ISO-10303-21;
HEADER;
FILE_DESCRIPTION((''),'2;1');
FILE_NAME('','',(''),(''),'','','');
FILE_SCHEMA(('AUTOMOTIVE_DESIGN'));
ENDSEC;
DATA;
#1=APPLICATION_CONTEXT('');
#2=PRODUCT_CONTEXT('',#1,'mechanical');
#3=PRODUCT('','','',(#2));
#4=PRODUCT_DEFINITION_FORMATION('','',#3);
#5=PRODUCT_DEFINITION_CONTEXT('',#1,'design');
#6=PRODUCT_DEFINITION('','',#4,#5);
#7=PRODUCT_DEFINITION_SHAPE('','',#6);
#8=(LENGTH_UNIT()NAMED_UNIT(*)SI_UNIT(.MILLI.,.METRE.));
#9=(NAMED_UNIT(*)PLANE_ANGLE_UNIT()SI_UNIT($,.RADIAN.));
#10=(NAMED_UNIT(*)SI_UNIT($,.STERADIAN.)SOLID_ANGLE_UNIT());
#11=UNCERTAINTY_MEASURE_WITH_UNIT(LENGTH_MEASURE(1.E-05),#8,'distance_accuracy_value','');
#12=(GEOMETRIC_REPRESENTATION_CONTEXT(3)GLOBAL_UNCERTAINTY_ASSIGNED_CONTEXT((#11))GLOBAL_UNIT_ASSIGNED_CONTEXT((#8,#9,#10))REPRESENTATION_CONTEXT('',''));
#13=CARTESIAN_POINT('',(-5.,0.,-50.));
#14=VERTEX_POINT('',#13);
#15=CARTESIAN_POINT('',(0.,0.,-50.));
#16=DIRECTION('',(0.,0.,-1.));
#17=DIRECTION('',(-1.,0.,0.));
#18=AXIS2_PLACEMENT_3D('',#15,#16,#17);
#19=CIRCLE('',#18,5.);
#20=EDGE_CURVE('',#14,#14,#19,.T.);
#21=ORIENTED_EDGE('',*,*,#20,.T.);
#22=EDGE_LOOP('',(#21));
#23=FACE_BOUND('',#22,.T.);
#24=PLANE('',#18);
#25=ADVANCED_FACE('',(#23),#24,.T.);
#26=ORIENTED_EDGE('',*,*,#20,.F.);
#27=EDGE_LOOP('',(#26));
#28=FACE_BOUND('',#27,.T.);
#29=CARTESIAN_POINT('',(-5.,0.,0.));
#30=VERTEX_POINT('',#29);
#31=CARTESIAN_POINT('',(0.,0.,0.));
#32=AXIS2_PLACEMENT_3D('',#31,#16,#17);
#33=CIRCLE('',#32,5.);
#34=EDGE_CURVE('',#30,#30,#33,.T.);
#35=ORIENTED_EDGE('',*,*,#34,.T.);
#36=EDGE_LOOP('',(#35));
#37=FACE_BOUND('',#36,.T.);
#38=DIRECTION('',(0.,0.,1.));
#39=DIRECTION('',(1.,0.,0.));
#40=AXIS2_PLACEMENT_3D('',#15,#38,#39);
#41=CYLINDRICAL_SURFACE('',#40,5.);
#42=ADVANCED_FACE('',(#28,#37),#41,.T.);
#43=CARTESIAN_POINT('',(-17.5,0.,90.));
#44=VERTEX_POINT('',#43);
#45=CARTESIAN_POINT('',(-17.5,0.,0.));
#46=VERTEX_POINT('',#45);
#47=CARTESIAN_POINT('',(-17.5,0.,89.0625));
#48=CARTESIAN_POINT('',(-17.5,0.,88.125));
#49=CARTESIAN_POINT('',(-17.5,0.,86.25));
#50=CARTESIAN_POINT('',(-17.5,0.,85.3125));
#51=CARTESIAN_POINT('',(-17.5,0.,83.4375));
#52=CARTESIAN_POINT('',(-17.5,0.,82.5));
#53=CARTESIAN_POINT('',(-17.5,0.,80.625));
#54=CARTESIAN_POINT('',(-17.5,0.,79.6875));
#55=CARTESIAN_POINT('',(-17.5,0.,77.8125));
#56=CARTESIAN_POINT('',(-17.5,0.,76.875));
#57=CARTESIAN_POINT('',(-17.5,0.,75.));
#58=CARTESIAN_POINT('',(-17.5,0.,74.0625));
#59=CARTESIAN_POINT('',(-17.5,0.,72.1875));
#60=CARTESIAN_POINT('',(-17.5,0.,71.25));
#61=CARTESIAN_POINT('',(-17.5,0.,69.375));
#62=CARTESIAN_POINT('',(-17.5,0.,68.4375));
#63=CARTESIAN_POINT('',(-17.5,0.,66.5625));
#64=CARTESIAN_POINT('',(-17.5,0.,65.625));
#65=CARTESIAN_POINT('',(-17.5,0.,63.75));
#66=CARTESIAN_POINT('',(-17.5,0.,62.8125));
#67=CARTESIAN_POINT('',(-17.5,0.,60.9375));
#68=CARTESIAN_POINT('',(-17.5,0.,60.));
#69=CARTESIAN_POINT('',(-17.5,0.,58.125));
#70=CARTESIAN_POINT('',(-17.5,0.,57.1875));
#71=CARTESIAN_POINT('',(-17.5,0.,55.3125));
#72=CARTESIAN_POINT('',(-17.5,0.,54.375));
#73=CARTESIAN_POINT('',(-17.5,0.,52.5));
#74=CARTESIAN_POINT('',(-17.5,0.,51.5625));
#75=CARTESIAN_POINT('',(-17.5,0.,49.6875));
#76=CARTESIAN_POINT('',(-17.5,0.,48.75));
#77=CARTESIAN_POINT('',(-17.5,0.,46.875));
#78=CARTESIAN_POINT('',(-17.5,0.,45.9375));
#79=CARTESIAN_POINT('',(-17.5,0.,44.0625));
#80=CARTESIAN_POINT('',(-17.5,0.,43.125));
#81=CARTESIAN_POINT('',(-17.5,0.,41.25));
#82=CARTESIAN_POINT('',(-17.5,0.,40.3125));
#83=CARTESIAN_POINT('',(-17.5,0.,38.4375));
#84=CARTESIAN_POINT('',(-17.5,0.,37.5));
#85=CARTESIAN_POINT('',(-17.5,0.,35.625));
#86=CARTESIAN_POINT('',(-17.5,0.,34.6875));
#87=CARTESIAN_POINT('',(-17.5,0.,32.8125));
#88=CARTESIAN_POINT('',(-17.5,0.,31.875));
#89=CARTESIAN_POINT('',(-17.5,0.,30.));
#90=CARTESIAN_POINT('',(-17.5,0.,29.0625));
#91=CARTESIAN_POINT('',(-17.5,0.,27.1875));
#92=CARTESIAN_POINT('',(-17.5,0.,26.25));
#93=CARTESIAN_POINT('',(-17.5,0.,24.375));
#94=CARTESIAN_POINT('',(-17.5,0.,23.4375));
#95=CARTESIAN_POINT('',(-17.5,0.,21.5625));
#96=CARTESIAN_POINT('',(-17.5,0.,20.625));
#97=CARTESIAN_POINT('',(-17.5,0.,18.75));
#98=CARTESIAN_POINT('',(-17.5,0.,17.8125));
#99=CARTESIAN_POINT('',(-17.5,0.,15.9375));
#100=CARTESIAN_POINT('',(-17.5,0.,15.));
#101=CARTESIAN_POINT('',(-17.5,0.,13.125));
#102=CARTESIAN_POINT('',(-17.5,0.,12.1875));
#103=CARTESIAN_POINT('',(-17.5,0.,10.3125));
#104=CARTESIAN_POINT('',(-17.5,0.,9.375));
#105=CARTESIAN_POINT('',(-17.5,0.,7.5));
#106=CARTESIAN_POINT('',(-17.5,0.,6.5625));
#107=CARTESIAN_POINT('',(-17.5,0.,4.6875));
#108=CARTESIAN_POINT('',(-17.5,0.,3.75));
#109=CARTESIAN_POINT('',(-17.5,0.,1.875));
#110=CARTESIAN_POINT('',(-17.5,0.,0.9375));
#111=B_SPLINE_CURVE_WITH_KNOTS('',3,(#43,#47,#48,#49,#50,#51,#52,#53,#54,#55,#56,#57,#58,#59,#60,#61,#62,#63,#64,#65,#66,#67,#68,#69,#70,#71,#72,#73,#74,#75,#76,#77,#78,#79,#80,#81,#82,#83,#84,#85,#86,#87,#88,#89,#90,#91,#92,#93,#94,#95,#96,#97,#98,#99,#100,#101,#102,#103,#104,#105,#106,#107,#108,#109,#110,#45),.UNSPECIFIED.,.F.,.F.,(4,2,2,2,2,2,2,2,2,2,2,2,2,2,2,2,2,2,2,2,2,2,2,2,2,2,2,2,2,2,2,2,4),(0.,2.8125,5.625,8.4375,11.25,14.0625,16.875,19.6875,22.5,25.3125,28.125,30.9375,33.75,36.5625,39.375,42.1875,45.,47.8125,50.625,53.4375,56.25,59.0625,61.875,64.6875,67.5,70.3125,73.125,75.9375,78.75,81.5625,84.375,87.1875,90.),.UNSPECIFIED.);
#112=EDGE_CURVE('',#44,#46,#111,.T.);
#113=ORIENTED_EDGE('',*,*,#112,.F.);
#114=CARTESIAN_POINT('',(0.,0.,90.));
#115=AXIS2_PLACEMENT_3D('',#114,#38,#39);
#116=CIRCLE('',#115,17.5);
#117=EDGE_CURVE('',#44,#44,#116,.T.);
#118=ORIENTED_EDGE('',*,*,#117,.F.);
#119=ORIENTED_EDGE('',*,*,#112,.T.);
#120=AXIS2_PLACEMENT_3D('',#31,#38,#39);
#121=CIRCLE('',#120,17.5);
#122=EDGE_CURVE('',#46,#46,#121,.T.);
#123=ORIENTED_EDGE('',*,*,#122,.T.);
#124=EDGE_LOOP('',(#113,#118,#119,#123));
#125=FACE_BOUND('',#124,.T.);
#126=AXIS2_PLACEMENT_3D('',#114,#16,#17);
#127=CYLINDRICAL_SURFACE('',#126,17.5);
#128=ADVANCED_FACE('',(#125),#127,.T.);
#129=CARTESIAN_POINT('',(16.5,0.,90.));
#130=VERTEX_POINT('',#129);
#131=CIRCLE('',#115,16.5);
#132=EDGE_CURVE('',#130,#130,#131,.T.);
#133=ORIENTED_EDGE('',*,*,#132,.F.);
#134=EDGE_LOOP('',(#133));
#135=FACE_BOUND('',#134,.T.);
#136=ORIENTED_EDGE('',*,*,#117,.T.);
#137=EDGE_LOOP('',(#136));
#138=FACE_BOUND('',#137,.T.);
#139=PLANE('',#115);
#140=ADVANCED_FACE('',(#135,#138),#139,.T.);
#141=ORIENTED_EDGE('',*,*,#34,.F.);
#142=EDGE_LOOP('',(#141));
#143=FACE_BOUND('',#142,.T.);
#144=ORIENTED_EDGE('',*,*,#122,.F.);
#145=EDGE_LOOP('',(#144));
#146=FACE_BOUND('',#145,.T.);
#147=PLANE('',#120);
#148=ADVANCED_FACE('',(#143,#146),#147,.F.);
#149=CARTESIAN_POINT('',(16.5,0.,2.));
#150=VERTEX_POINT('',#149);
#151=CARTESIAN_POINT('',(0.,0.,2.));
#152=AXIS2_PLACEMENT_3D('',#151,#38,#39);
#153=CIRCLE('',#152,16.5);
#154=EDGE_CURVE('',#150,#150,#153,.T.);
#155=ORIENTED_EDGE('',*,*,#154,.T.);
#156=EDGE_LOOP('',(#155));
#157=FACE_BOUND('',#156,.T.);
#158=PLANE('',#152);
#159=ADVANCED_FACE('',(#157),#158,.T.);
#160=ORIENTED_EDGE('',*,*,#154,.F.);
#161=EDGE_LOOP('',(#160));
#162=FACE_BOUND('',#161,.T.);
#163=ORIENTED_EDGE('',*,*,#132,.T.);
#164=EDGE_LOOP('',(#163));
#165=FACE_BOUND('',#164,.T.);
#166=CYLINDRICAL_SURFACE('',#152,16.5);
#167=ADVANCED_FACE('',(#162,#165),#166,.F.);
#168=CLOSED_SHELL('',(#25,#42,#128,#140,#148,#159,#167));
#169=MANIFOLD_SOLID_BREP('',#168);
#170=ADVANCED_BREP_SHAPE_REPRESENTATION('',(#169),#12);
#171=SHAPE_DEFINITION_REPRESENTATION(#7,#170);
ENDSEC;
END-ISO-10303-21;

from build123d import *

# Parameters (mm, degrees)
SCHIZZO1_R                   = 17.5
ESTRUSIONE_ESTRUSIONE1_DEPTH = 90
SCHIZZO2_R                   = 16.5
TAGLIO_ESTRUSIONE1_DEPTH     = 88
SCHIZZO3_R                   = 5
ESTRUSIONE_ESTRUSIONE2_DEPTH = 50


with BuildPart() as part:
    # Schizzo1 → Estrusione-Estrusione1 (new body)
    with BuildSketch(Plane.XY):
        with Locations(Location((0, 0, 0), (0, 0, 180))):
            Circle(SCHIZZO1_R)
    extrude(amount=ESTRUSIONE_ESTRUSIONE1_DEPTH)

    # Schizzo2 → Taglio-Estrusione1 (cut)
    with BuildSketch(Plane.XY.offset(90)):
        Circle(SCHIZZO2_R)
    extrude(amount=-TAGLIO_ESTRUSIONE1_DEPTH, mode=Mode.SUBTRACT)

    # Schizzo3 → Estrusione-Estrusione2 (add)
    with BuildSketch(Plane(origin=(0, 0, 0), x_dir=(-1, 0, 0), z_dir=(0, 0, -1))):
        Circle(SCHIZZO3_R)
    extrude(amount=ESTRUSIONE_ESTRUSIONE2_DEPTH)


solid = part.part
